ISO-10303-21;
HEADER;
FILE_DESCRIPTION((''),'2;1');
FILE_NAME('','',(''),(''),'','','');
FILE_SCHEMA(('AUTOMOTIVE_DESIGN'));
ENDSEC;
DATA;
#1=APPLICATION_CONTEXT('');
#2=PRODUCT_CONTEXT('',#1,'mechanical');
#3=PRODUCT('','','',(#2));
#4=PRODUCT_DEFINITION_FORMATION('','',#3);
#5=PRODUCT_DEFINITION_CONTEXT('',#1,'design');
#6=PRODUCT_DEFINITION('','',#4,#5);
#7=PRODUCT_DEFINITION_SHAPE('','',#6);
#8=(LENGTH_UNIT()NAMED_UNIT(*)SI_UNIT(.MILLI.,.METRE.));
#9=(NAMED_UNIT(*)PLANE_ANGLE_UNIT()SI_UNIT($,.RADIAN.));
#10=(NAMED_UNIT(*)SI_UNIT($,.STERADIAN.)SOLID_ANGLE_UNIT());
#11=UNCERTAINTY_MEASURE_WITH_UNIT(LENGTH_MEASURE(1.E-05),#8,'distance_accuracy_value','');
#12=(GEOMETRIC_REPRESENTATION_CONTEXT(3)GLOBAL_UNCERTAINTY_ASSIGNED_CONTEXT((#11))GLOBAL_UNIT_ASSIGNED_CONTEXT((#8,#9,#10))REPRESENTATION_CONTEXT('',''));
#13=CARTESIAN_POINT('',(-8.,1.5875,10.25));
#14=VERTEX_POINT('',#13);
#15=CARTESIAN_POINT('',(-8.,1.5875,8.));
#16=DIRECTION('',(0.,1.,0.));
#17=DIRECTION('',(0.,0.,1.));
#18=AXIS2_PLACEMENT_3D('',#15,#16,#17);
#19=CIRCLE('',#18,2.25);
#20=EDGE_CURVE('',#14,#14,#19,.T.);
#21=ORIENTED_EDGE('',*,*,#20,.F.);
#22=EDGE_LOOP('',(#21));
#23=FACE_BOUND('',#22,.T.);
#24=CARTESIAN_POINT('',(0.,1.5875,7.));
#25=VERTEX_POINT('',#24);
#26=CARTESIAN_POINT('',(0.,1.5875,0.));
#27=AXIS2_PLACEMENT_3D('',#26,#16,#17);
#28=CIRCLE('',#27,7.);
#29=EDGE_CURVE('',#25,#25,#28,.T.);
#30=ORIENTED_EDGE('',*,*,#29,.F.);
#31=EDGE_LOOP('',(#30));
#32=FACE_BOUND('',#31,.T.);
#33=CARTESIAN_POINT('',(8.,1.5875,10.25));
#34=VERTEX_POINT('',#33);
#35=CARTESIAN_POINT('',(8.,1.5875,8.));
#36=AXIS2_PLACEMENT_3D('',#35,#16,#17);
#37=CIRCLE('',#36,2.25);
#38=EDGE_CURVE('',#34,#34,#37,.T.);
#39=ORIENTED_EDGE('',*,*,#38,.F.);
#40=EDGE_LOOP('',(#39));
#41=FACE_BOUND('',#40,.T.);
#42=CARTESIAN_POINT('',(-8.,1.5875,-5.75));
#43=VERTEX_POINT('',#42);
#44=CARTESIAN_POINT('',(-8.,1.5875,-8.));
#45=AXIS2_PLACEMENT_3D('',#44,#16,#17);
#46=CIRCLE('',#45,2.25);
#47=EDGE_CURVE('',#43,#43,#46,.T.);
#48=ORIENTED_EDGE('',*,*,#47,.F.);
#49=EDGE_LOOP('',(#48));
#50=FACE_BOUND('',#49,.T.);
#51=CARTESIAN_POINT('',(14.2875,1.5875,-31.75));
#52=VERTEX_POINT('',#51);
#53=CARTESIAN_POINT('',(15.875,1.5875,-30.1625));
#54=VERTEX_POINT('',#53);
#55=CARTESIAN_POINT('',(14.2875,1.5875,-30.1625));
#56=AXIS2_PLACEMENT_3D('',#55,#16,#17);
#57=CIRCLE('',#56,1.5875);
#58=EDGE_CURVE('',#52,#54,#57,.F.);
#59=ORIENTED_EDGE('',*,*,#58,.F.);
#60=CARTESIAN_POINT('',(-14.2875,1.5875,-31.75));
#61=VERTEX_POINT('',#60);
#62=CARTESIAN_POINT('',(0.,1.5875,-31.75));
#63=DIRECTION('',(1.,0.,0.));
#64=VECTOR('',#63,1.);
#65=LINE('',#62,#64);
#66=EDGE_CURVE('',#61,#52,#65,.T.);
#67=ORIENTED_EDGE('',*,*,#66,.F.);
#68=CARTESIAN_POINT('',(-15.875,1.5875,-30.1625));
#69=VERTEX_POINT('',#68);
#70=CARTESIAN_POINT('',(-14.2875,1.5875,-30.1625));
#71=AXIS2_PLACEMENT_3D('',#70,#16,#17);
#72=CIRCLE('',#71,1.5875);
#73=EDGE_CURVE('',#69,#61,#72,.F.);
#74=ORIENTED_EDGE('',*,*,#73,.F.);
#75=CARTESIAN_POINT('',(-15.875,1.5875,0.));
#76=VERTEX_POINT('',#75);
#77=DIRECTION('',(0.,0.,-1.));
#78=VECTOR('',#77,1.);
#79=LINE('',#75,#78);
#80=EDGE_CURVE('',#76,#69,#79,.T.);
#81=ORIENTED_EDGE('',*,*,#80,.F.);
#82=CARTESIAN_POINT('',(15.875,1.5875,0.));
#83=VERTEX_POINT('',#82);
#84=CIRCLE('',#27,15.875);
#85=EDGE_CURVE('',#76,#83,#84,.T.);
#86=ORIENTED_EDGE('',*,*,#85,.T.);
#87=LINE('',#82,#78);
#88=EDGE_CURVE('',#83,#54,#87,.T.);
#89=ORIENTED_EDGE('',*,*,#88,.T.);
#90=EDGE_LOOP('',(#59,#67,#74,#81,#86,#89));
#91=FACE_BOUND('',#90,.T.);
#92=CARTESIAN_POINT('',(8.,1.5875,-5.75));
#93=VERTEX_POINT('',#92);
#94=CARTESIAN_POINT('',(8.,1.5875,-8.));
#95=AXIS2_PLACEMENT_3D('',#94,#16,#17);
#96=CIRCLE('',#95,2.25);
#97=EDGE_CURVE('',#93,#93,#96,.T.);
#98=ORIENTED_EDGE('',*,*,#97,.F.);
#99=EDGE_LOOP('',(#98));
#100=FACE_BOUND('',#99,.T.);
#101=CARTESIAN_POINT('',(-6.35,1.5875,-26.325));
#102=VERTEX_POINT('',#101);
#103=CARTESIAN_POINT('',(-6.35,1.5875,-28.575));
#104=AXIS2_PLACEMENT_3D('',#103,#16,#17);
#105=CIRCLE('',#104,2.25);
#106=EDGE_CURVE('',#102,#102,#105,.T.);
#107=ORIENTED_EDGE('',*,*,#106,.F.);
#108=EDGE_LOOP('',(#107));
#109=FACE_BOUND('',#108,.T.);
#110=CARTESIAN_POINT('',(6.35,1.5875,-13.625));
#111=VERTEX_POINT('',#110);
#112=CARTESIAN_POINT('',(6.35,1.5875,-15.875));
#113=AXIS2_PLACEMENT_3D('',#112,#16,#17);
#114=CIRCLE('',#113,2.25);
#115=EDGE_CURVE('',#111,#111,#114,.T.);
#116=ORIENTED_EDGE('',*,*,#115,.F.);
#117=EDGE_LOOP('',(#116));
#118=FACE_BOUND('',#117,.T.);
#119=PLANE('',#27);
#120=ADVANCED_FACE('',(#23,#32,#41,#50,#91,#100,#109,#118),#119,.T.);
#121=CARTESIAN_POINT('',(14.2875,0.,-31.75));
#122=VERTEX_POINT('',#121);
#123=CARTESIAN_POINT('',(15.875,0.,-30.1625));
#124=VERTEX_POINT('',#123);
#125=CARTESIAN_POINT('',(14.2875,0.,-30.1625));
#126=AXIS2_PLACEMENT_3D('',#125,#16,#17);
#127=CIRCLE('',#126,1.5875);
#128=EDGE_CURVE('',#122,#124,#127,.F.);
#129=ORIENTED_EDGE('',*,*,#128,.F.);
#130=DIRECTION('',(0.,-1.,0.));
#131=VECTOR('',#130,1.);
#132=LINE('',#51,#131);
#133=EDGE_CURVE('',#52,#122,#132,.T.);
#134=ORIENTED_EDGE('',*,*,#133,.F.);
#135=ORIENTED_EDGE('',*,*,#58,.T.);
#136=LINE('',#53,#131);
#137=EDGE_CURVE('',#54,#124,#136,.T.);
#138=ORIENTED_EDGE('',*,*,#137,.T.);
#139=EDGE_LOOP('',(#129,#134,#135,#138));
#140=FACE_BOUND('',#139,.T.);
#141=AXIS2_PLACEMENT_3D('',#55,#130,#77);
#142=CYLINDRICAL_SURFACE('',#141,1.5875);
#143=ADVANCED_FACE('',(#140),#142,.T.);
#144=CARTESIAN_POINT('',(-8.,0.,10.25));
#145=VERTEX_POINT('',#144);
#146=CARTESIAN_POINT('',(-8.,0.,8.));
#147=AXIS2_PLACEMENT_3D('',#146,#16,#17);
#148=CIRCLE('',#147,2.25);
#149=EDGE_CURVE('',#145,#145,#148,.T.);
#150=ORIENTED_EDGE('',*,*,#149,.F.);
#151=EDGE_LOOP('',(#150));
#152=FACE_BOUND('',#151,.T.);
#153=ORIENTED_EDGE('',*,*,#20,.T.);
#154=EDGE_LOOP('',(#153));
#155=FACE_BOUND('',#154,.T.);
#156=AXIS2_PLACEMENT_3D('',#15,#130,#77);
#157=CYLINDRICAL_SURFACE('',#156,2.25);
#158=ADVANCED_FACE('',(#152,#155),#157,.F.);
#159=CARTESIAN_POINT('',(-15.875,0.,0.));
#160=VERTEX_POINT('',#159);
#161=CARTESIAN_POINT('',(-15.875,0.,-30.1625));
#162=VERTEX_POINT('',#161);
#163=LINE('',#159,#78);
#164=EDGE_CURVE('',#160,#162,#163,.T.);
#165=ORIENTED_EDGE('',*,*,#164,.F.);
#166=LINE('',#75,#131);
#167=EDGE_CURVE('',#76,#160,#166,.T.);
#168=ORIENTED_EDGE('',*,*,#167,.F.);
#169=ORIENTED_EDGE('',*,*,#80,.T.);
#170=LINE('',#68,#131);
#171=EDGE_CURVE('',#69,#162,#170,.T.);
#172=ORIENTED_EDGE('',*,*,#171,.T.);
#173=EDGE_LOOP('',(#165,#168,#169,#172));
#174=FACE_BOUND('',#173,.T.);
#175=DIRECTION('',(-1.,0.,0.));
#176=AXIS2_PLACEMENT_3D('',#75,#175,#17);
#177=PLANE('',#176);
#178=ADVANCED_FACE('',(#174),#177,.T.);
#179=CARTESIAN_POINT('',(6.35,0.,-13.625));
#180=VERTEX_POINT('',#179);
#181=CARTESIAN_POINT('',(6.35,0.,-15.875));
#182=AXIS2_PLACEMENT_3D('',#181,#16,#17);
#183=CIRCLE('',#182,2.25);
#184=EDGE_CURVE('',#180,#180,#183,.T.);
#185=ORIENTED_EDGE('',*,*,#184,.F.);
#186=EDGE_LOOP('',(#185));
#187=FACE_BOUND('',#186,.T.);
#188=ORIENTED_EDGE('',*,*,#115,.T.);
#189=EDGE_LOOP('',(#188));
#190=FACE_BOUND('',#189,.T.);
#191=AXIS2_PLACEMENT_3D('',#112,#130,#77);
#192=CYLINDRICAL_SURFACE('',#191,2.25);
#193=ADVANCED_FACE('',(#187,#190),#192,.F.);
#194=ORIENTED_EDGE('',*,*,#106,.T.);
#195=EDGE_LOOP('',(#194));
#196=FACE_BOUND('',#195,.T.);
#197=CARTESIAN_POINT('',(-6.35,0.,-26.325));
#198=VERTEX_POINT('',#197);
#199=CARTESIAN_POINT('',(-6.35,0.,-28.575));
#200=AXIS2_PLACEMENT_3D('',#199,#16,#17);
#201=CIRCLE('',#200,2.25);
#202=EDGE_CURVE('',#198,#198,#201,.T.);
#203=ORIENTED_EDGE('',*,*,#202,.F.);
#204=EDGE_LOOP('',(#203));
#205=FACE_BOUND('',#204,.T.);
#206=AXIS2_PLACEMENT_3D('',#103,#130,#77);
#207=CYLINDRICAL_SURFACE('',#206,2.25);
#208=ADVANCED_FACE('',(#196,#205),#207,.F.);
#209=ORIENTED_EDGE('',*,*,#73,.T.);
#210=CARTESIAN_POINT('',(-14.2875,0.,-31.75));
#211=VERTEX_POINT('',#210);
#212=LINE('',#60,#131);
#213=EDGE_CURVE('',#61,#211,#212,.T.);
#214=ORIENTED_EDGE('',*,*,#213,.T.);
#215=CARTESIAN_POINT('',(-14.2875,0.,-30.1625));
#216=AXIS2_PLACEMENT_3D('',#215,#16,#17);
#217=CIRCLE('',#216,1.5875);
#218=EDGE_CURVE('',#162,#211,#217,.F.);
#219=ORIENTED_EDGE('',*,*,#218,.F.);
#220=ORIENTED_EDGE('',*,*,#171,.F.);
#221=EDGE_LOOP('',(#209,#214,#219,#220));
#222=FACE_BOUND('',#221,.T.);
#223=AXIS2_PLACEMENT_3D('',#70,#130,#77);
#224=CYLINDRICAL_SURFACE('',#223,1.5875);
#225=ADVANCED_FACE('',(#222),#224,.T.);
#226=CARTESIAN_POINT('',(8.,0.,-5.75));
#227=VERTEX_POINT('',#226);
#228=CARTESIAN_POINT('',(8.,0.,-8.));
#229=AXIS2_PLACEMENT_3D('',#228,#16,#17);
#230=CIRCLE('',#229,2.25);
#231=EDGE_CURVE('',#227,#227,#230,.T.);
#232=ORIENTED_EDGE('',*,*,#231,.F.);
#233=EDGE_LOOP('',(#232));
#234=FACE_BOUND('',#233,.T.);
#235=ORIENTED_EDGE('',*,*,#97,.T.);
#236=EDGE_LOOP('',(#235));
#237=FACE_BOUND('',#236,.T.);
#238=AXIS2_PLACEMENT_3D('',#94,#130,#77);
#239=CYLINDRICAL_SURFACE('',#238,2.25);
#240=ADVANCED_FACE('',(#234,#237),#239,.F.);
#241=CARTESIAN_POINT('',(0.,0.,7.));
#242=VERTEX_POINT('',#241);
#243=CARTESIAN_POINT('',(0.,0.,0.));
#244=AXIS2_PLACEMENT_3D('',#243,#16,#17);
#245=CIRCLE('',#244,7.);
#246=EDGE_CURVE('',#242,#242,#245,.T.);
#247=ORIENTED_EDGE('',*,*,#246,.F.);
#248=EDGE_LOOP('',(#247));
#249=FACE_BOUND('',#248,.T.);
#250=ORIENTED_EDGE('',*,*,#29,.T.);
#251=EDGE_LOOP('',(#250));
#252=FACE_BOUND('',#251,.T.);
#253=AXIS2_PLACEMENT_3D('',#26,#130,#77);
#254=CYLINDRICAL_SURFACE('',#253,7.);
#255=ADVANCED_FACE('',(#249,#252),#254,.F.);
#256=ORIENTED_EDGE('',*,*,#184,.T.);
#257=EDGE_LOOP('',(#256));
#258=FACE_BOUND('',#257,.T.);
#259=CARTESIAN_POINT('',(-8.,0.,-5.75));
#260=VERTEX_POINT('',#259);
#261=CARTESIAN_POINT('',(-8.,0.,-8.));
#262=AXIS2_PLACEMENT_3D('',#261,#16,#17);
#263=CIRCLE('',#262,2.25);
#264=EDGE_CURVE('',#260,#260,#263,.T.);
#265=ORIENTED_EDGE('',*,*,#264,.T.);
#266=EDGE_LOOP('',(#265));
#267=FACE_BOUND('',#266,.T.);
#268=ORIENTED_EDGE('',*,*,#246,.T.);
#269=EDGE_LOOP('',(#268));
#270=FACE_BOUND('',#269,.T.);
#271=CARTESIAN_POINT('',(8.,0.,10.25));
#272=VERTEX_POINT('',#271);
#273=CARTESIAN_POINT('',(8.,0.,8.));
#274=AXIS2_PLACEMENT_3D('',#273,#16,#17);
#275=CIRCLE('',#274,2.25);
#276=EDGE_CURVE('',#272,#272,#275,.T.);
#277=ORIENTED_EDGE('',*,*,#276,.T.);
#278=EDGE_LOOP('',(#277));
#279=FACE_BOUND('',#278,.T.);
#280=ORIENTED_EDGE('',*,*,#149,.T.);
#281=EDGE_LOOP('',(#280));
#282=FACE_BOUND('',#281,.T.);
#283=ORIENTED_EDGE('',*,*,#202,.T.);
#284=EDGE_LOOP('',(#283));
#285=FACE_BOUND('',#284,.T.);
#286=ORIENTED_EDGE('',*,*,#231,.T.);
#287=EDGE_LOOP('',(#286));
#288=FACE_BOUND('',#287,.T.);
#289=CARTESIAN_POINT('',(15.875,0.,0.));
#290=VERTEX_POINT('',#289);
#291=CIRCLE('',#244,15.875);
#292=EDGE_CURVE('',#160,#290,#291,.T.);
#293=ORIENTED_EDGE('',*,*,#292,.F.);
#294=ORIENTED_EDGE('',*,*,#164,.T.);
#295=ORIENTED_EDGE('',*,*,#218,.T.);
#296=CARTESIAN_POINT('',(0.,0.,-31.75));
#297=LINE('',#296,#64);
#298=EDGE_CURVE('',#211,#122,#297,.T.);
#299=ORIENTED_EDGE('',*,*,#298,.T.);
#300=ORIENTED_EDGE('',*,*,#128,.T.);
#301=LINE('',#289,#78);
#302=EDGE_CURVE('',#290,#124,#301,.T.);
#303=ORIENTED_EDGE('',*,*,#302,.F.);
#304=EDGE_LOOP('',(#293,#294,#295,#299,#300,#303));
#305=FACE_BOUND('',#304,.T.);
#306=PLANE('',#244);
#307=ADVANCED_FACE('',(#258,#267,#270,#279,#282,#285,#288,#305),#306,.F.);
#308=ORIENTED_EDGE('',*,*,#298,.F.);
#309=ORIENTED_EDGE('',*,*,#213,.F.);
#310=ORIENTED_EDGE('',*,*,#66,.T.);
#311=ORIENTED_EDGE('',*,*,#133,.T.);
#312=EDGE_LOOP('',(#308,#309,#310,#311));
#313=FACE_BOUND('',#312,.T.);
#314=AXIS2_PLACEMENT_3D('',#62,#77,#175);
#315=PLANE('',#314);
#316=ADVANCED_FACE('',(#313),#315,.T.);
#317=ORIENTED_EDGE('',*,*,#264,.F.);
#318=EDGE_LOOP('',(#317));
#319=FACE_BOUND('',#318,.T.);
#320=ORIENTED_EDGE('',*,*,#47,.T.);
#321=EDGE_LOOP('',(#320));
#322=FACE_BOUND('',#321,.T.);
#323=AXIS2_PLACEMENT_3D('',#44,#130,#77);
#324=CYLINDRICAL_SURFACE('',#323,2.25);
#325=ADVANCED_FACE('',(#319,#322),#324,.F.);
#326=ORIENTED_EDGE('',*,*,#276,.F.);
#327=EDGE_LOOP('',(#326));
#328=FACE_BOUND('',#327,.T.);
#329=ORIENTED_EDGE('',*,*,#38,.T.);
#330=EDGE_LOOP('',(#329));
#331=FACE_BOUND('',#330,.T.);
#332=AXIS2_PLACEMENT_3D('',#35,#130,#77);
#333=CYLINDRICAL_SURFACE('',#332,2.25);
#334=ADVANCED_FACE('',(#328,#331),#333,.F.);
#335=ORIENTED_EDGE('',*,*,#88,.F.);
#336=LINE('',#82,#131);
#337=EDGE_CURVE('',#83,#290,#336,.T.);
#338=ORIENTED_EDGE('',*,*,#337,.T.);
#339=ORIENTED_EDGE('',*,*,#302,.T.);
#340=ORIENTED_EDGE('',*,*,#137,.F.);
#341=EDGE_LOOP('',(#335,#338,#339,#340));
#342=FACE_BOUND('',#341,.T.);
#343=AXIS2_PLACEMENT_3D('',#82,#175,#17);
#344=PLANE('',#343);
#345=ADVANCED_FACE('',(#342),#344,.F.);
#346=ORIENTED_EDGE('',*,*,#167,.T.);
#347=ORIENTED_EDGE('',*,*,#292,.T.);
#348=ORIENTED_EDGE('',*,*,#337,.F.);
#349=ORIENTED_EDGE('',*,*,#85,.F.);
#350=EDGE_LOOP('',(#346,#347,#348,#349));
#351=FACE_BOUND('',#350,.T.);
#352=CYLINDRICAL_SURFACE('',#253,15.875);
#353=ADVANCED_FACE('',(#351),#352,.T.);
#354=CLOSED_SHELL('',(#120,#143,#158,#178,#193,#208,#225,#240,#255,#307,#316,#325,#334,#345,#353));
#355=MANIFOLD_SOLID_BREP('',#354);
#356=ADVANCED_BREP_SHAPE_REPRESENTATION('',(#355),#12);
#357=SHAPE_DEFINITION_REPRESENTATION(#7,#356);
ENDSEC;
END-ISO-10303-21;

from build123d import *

# Parameters (mm, degrees)
SKETCH1_R           = 7
SKETCH1_R_2         = 2.25
BOSS_EXTRUDE1_DEPTH = 1.5875


with BuildPart() as part:
    # Sketch1 → Boss-Extrude1 (new body)
    with BuildSketch(Plane(origin=(0, 0, 0), x_dir=(1, 0, 0), z_dir=(0, 1, 0))):
        with BuildLine():
            Line((-15.875, 0), (-15.875, 30.1625))
            ThreePointArc((-15.875, 30.1625), (-15.410032015, 31.285032015), (-14.2875, 31.75))
            Line((-14.2875, 31.75), (14.2875, 31.75))
            ThreePointArc((14.2875, 31.75), (15.410032015, 31.285032015), (15.875, 30.1625))
            Line((15.875, 30.1625), (15.875, 0))
            ThreePointArc((15.875, 0), (0, -15.875), (-15.875, 0))
        make_face()
        Circle(SKETCH1_R, mode=Mode.SUBTRACT)
        with Locations((-8, 8)):
            Circle(SKETCH1_R_2, mode=Mode.SUBTRACT)
        with Locations((8, 8)):
            Circle(SKETCH1_R_2, mode=Mode.SUBTRACT)
        with Locations((8, -8)):
            Circle(SKETCH1_R_2, mode=Mode.SUBTRACT)
        with Locations((-8, -8)):
            Circle(SKETCH1_R_2, mode=Mode.SUBTRACT)
        with Locations((-6.35, 28.575)):
            Circle(SKETCH1_R_2, mode=Mode.SUBTRACT)
        with Locations((6.35, 15.875)):
            Circle(SKETCH1_R_2, mode=Mode.SUBTRACT)
    extrude(amount=BOSS_EXTRUDE1_DEPTH)


solid = part.part
